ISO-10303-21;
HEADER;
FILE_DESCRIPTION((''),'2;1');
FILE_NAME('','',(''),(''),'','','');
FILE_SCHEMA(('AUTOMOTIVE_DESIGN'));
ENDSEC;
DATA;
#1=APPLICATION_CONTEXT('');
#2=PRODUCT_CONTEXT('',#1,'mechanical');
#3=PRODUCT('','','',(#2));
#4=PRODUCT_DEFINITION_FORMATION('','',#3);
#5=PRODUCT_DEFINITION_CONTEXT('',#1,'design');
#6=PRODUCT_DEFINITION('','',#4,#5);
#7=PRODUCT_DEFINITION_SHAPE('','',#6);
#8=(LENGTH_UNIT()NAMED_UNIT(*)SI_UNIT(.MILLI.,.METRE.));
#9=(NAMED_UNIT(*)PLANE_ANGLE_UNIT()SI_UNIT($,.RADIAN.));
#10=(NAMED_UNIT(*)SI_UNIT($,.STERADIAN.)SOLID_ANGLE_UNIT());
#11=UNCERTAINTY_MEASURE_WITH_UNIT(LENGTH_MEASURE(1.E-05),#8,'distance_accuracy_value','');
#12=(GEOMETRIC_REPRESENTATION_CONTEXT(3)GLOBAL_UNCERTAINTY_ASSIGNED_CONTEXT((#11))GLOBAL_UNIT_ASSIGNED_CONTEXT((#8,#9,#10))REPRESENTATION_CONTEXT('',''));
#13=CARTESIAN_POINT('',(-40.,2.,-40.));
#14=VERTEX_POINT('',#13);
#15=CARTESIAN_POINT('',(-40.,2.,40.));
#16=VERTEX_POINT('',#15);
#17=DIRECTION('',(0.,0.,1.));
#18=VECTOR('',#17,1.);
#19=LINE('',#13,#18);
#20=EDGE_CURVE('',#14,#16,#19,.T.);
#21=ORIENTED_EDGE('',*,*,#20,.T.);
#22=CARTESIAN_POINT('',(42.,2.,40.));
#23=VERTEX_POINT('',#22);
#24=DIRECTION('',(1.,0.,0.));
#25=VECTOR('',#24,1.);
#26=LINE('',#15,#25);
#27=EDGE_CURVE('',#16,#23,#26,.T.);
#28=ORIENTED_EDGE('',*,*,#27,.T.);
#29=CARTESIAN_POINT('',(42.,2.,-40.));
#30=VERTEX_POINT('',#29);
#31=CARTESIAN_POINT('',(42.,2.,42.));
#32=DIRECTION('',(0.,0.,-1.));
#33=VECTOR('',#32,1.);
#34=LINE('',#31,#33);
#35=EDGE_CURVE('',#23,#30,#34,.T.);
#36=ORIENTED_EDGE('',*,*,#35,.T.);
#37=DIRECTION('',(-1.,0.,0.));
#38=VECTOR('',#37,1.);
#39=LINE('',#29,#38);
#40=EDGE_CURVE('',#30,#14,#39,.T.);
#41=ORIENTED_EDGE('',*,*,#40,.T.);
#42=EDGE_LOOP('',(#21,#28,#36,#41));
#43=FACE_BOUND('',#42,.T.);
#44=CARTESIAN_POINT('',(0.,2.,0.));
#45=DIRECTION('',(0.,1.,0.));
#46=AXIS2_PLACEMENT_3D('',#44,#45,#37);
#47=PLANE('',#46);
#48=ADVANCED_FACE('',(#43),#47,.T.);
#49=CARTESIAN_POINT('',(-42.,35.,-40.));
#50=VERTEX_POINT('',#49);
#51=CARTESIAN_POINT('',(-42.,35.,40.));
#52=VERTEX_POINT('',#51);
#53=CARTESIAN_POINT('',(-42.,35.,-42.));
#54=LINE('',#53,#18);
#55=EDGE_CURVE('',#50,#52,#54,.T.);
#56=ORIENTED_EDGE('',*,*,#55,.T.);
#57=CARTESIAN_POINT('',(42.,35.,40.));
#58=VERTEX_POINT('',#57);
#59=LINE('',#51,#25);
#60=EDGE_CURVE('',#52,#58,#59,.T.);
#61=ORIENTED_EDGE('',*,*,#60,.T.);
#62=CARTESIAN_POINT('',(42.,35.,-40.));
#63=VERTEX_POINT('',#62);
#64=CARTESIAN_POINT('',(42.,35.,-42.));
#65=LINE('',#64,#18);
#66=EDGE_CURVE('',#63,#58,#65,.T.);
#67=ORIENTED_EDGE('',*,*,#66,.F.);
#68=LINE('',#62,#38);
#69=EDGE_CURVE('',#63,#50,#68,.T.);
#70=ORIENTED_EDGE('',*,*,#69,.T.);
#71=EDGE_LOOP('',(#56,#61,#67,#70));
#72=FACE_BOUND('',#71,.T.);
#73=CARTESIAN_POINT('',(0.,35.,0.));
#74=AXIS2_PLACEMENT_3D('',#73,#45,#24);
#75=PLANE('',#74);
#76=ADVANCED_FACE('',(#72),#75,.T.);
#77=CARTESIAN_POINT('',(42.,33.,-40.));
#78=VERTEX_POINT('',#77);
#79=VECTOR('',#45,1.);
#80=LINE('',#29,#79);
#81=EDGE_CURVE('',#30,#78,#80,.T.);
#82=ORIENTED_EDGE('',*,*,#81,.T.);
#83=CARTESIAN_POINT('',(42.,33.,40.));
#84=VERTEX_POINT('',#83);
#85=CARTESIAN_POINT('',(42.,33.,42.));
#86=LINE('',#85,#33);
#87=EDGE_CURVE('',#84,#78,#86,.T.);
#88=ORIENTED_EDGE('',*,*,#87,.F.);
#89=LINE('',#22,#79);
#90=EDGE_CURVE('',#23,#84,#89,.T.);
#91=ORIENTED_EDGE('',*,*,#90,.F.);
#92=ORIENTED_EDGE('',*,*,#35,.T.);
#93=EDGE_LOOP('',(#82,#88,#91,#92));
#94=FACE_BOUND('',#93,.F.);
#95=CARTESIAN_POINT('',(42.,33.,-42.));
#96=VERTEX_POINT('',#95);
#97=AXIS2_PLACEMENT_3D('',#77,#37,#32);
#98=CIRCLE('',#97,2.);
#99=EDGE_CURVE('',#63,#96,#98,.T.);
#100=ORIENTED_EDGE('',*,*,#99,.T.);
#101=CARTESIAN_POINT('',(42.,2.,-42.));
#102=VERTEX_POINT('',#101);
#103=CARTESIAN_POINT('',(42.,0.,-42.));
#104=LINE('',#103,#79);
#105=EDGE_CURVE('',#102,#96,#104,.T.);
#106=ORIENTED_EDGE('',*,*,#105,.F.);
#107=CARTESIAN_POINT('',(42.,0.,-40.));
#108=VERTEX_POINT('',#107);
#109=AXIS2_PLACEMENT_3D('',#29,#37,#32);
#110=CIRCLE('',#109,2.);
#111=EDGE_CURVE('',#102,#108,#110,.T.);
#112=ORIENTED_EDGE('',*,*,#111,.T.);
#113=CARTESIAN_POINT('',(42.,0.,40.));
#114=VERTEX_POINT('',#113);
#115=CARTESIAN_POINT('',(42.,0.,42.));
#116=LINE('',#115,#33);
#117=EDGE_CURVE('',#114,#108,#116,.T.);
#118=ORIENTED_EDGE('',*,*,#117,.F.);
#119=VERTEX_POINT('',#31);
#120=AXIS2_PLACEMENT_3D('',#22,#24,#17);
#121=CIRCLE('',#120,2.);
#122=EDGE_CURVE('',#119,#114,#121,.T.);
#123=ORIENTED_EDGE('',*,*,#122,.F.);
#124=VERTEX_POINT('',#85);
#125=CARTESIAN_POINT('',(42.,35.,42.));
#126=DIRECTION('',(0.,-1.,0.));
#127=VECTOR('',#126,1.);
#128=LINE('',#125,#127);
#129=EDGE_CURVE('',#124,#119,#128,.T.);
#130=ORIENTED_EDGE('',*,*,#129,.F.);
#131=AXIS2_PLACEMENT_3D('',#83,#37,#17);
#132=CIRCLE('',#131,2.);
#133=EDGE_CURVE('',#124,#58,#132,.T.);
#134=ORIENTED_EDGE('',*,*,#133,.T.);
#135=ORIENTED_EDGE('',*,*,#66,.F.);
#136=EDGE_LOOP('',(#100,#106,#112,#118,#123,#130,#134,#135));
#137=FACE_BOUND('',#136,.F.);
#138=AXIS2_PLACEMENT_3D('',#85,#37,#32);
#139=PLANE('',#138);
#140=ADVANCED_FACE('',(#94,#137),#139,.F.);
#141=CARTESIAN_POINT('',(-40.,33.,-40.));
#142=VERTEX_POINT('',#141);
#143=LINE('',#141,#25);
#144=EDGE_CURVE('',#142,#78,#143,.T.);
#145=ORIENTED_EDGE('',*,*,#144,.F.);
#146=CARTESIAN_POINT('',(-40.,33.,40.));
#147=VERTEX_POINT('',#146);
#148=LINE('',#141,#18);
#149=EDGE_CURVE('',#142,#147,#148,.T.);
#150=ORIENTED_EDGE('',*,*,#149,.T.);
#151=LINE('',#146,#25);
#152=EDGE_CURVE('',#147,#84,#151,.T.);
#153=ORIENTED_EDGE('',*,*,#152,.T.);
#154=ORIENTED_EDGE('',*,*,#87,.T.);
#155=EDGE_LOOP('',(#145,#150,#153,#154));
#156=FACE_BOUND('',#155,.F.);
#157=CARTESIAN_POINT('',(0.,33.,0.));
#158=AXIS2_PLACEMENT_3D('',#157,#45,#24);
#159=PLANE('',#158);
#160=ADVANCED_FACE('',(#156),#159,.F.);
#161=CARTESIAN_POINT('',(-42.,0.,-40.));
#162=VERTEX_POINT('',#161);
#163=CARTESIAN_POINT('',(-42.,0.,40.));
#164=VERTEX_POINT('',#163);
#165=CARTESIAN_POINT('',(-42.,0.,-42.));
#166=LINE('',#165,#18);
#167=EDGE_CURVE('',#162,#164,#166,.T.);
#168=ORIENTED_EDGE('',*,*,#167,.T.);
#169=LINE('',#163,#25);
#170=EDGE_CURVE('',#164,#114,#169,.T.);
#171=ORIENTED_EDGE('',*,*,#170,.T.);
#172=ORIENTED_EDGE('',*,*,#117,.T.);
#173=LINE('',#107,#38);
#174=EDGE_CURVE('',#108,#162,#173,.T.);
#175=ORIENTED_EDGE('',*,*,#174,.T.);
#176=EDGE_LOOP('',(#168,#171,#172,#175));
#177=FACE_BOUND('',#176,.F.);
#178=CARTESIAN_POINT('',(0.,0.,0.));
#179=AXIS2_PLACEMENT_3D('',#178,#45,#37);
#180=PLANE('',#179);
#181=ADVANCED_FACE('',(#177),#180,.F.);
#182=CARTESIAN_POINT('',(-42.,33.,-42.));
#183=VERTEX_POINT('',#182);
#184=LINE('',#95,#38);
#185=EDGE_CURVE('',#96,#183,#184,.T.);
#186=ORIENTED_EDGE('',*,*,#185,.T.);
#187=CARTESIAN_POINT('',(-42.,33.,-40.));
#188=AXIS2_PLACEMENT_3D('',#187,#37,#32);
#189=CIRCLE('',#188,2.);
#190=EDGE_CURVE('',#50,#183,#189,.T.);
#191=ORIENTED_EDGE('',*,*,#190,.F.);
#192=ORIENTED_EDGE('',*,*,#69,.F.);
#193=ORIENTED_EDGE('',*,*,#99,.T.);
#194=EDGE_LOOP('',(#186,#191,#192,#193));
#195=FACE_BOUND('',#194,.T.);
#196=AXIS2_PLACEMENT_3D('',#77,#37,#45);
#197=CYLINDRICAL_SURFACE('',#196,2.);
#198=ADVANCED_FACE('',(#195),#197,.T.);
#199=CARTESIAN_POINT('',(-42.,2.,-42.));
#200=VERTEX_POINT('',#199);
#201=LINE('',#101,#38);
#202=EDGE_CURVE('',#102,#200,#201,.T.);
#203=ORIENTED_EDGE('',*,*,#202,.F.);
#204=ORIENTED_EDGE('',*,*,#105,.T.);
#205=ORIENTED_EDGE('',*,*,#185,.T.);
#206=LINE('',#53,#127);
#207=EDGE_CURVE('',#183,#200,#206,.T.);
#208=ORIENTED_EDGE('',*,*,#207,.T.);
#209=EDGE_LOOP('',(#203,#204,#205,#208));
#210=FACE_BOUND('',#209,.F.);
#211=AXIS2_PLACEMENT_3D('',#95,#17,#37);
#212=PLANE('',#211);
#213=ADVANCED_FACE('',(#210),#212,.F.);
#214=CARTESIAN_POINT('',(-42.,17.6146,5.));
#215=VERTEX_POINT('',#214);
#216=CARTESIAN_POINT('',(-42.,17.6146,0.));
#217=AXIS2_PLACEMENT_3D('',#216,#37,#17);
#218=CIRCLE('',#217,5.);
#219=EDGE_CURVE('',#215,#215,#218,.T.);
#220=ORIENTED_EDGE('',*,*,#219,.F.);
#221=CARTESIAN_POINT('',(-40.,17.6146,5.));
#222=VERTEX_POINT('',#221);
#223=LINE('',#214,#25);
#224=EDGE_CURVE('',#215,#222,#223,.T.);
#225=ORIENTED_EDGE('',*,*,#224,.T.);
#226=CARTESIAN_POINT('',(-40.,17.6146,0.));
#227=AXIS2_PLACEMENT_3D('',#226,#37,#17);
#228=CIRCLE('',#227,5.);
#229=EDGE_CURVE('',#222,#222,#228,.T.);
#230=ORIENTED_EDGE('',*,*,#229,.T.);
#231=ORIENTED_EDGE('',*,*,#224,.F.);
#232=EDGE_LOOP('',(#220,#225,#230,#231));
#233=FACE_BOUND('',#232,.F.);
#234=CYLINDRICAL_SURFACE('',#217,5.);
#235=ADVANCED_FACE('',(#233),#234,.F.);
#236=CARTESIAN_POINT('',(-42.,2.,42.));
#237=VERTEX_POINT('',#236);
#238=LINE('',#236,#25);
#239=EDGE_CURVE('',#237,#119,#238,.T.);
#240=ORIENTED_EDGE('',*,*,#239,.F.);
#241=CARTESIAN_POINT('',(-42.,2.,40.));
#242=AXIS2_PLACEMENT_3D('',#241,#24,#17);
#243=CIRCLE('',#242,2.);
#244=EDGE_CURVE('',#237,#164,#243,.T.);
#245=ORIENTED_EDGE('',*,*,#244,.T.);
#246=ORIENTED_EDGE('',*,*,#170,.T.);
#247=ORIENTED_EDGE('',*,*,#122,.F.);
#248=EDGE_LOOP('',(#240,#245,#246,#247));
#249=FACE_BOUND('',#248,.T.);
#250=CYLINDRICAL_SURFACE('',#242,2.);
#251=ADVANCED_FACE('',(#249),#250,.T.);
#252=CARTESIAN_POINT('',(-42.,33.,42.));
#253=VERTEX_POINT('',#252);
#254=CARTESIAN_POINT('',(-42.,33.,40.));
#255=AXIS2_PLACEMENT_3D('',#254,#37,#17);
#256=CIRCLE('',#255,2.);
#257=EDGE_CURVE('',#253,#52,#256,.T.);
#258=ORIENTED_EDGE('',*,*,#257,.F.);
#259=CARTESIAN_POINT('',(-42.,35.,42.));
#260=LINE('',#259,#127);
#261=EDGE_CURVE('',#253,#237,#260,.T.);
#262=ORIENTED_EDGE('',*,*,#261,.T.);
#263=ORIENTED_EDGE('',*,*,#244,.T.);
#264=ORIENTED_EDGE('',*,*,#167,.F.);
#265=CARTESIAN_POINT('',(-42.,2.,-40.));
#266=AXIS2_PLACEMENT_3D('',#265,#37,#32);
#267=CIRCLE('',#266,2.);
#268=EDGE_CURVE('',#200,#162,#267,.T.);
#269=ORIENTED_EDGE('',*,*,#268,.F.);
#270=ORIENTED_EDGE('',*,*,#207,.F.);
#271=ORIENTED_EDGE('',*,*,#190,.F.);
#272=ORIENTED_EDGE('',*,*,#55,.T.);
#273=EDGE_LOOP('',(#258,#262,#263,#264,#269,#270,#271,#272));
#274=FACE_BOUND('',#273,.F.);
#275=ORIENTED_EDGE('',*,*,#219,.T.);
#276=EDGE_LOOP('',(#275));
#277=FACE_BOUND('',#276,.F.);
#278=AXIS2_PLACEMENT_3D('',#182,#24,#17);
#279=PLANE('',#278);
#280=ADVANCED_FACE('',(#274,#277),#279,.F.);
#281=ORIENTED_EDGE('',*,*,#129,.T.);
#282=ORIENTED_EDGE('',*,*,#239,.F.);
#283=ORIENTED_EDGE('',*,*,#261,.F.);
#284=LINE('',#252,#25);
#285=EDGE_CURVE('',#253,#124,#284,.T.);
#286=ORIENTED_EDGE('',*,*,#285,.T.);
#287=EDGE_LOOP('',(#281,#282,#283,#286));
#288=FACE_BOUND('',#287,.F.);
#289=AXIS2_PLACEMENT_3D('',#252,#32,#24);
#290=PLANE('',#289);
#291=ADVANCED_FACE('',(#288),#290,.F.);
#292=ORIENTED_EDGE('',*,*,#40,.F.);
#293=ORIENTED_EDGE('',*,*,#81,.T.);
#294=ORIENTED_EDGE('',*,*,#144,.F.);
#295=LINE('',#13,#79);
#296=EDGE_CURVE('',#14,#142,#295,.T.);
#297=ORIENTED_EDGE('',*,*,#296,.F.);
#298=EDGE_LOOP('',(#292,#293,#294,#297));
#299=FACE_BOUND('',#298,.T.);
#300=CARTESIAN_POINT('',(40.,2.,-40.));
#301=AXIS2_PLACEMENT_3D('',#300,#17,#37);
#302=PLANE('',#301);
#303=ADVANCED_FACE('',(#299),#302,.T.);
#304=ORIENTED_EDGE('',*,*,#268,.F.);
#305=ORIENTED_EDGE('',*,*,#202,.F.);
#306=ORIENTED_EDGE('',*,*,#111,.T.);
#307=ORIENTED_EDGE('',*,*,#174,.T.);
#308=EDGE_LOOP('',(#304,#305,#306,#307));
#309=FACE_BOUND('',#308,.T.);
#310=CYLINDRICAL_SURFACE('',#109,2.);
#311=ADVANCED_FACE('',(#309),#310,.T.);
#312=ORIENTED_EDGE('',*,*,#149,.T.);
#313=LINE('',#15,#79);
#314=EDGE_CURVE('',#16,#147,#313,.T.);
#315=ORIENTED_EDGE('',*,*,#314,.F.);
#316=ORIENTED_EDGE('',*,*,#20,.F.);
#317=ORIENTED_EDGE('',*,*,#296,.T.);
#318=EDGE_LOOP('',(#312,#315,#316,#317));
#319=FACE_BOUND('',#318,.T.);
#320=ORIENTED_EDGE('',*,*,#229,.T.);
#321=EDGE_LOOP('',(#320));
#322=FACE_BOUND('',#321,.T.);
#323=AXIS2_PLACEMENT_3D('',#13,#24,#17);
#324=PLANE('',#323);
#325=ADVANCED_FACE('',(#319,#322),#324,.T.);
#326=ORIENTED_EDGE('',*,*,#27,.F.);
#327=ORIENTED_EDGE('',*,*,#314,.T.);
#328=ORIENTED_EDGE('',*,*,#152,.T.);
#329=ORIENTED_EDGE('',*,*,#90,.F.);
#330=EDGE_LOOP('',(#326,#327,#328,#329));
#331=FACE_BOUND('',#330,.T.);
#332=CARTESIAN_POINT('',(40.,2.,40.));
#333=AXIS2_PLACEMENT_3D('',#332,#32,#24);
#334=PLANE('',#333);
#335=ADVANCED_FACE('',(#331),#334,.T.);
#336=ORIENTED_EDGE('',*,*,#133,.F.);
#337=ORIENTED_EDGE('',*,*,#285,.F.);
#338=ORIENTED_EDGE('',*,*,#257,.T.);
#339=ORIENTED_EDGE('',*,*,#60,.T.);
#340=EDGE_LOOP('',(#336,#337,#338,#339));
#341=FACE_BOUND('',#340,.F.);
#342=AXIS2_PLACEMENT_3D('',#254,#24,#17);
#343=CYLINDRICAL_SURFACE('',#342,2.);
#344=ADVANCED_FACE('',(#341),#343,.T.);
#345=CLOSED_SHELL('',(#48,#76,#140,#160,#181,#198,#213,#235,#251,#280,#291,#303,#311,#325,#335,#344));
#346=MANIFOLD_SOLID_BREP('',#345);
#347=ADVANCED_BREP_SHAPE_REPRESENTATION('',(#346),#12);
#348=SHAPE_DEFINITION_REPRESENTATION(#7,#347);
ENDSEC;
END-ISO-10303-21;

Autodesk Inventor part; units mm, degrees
ref_plane "YZ Plane" through (0, 0, 0) normal (1, 0, 0) x (0, 1, 0)
ref_plane "XZ Plane" through (0, 0, 0) normal (0, 1, 0) x (-1, 0, 0)
ref_plane "XY Plane" through (0, 0, 0) normal (0, 0, 1) x (1, 0, 0)
sketch "Esquisse1" plane through (0, 0, 0) normal (0, 1, 0) x (-1, 0, 0)
  line L0 (-42, -42) -> (42, -42)
  line L1 (42, -42) -> (42, 42)
  line L2 (42, 42) -> (-42, 42)
  line L3 (-42, 42) -> (-42, -42)
  line L4 (-42, -42) -> (42, 42) construction
  line L5 (42, -42) -> (-42, 42) construction
  point P0 (0, 0)
  dimension "d0" = 84
  dimension "d1" = 84
extrude "Extrusion1" add sketch "Esquisse1" along normal blind 2
sketch "Esquisse2" plane through (0, 2, 0) normal (0, 1, 0) x (1, 0, 0)
  line L0 (40, 40) -> (-40, 40)
  line L1 (-40, 40) -> (-40, -40)
  line L2 (-40, -40) -> (40, -40)
  line L3 (40, 40) -> (-40, -40) construction
  line L4 (-40, 40) -> (40, -40) construction
  line L5 (40, -40) -> (42, -40)
  line L6 (42, -42) -> (42, 42) projected
  line L7 (40, 40) -> (42, 40)
  line L8 (-42, -42) -> (42, -42) projected
  line L9 (-42, 42) -> (-42, -42) projected
  line L10 (42, 42) -> (-42, 42) projected
  point P0 (0, 0)
  dimension "d4" = 2
  dimension "d5" = 2
extrude "Extrusion2" add sketch "Esquisse2" along normal blind 31 contours L0 L1 L2 L5 L6 L8 L9 L10 L7
sketch "Esquisse3" plane through (0, 33, 0) normal (0, 1, 0) x (1, 0, 0)
  line L0 (42, 40) -> (42, 42) projected
  line L1 (-42, -42) -> (42, -42)
  line L2 (42, -42) -> (42, 42)
  line L3 (42, 42) -> (-42, 42)
  line L4 (-42, 42) -> (-42, -42)
  point P0 (0, 0)
extrude "Extrusion3" add sketch "Esquisse3" along normal blind 2
fillet "Congé1" radius 2 4 edges at (0, 35, 42) (0, 35, -42) (0, 0, 42) (0, 0, -42)
sketch "Esquisse5" plane through (-42, 0, -40) normal (-1, 0, 0) x (0, 0, 1)
  line L0 (40, 0) -> (40, 35.2291) construction
  circle A0 centre (40, 17.6146) radius 5
  dimension "d12" = 10
extrude "Extrusion4" cut sketch "Esquisse5" against normal blind 31
properties part number "BatterieHolder_Impression 3D"
